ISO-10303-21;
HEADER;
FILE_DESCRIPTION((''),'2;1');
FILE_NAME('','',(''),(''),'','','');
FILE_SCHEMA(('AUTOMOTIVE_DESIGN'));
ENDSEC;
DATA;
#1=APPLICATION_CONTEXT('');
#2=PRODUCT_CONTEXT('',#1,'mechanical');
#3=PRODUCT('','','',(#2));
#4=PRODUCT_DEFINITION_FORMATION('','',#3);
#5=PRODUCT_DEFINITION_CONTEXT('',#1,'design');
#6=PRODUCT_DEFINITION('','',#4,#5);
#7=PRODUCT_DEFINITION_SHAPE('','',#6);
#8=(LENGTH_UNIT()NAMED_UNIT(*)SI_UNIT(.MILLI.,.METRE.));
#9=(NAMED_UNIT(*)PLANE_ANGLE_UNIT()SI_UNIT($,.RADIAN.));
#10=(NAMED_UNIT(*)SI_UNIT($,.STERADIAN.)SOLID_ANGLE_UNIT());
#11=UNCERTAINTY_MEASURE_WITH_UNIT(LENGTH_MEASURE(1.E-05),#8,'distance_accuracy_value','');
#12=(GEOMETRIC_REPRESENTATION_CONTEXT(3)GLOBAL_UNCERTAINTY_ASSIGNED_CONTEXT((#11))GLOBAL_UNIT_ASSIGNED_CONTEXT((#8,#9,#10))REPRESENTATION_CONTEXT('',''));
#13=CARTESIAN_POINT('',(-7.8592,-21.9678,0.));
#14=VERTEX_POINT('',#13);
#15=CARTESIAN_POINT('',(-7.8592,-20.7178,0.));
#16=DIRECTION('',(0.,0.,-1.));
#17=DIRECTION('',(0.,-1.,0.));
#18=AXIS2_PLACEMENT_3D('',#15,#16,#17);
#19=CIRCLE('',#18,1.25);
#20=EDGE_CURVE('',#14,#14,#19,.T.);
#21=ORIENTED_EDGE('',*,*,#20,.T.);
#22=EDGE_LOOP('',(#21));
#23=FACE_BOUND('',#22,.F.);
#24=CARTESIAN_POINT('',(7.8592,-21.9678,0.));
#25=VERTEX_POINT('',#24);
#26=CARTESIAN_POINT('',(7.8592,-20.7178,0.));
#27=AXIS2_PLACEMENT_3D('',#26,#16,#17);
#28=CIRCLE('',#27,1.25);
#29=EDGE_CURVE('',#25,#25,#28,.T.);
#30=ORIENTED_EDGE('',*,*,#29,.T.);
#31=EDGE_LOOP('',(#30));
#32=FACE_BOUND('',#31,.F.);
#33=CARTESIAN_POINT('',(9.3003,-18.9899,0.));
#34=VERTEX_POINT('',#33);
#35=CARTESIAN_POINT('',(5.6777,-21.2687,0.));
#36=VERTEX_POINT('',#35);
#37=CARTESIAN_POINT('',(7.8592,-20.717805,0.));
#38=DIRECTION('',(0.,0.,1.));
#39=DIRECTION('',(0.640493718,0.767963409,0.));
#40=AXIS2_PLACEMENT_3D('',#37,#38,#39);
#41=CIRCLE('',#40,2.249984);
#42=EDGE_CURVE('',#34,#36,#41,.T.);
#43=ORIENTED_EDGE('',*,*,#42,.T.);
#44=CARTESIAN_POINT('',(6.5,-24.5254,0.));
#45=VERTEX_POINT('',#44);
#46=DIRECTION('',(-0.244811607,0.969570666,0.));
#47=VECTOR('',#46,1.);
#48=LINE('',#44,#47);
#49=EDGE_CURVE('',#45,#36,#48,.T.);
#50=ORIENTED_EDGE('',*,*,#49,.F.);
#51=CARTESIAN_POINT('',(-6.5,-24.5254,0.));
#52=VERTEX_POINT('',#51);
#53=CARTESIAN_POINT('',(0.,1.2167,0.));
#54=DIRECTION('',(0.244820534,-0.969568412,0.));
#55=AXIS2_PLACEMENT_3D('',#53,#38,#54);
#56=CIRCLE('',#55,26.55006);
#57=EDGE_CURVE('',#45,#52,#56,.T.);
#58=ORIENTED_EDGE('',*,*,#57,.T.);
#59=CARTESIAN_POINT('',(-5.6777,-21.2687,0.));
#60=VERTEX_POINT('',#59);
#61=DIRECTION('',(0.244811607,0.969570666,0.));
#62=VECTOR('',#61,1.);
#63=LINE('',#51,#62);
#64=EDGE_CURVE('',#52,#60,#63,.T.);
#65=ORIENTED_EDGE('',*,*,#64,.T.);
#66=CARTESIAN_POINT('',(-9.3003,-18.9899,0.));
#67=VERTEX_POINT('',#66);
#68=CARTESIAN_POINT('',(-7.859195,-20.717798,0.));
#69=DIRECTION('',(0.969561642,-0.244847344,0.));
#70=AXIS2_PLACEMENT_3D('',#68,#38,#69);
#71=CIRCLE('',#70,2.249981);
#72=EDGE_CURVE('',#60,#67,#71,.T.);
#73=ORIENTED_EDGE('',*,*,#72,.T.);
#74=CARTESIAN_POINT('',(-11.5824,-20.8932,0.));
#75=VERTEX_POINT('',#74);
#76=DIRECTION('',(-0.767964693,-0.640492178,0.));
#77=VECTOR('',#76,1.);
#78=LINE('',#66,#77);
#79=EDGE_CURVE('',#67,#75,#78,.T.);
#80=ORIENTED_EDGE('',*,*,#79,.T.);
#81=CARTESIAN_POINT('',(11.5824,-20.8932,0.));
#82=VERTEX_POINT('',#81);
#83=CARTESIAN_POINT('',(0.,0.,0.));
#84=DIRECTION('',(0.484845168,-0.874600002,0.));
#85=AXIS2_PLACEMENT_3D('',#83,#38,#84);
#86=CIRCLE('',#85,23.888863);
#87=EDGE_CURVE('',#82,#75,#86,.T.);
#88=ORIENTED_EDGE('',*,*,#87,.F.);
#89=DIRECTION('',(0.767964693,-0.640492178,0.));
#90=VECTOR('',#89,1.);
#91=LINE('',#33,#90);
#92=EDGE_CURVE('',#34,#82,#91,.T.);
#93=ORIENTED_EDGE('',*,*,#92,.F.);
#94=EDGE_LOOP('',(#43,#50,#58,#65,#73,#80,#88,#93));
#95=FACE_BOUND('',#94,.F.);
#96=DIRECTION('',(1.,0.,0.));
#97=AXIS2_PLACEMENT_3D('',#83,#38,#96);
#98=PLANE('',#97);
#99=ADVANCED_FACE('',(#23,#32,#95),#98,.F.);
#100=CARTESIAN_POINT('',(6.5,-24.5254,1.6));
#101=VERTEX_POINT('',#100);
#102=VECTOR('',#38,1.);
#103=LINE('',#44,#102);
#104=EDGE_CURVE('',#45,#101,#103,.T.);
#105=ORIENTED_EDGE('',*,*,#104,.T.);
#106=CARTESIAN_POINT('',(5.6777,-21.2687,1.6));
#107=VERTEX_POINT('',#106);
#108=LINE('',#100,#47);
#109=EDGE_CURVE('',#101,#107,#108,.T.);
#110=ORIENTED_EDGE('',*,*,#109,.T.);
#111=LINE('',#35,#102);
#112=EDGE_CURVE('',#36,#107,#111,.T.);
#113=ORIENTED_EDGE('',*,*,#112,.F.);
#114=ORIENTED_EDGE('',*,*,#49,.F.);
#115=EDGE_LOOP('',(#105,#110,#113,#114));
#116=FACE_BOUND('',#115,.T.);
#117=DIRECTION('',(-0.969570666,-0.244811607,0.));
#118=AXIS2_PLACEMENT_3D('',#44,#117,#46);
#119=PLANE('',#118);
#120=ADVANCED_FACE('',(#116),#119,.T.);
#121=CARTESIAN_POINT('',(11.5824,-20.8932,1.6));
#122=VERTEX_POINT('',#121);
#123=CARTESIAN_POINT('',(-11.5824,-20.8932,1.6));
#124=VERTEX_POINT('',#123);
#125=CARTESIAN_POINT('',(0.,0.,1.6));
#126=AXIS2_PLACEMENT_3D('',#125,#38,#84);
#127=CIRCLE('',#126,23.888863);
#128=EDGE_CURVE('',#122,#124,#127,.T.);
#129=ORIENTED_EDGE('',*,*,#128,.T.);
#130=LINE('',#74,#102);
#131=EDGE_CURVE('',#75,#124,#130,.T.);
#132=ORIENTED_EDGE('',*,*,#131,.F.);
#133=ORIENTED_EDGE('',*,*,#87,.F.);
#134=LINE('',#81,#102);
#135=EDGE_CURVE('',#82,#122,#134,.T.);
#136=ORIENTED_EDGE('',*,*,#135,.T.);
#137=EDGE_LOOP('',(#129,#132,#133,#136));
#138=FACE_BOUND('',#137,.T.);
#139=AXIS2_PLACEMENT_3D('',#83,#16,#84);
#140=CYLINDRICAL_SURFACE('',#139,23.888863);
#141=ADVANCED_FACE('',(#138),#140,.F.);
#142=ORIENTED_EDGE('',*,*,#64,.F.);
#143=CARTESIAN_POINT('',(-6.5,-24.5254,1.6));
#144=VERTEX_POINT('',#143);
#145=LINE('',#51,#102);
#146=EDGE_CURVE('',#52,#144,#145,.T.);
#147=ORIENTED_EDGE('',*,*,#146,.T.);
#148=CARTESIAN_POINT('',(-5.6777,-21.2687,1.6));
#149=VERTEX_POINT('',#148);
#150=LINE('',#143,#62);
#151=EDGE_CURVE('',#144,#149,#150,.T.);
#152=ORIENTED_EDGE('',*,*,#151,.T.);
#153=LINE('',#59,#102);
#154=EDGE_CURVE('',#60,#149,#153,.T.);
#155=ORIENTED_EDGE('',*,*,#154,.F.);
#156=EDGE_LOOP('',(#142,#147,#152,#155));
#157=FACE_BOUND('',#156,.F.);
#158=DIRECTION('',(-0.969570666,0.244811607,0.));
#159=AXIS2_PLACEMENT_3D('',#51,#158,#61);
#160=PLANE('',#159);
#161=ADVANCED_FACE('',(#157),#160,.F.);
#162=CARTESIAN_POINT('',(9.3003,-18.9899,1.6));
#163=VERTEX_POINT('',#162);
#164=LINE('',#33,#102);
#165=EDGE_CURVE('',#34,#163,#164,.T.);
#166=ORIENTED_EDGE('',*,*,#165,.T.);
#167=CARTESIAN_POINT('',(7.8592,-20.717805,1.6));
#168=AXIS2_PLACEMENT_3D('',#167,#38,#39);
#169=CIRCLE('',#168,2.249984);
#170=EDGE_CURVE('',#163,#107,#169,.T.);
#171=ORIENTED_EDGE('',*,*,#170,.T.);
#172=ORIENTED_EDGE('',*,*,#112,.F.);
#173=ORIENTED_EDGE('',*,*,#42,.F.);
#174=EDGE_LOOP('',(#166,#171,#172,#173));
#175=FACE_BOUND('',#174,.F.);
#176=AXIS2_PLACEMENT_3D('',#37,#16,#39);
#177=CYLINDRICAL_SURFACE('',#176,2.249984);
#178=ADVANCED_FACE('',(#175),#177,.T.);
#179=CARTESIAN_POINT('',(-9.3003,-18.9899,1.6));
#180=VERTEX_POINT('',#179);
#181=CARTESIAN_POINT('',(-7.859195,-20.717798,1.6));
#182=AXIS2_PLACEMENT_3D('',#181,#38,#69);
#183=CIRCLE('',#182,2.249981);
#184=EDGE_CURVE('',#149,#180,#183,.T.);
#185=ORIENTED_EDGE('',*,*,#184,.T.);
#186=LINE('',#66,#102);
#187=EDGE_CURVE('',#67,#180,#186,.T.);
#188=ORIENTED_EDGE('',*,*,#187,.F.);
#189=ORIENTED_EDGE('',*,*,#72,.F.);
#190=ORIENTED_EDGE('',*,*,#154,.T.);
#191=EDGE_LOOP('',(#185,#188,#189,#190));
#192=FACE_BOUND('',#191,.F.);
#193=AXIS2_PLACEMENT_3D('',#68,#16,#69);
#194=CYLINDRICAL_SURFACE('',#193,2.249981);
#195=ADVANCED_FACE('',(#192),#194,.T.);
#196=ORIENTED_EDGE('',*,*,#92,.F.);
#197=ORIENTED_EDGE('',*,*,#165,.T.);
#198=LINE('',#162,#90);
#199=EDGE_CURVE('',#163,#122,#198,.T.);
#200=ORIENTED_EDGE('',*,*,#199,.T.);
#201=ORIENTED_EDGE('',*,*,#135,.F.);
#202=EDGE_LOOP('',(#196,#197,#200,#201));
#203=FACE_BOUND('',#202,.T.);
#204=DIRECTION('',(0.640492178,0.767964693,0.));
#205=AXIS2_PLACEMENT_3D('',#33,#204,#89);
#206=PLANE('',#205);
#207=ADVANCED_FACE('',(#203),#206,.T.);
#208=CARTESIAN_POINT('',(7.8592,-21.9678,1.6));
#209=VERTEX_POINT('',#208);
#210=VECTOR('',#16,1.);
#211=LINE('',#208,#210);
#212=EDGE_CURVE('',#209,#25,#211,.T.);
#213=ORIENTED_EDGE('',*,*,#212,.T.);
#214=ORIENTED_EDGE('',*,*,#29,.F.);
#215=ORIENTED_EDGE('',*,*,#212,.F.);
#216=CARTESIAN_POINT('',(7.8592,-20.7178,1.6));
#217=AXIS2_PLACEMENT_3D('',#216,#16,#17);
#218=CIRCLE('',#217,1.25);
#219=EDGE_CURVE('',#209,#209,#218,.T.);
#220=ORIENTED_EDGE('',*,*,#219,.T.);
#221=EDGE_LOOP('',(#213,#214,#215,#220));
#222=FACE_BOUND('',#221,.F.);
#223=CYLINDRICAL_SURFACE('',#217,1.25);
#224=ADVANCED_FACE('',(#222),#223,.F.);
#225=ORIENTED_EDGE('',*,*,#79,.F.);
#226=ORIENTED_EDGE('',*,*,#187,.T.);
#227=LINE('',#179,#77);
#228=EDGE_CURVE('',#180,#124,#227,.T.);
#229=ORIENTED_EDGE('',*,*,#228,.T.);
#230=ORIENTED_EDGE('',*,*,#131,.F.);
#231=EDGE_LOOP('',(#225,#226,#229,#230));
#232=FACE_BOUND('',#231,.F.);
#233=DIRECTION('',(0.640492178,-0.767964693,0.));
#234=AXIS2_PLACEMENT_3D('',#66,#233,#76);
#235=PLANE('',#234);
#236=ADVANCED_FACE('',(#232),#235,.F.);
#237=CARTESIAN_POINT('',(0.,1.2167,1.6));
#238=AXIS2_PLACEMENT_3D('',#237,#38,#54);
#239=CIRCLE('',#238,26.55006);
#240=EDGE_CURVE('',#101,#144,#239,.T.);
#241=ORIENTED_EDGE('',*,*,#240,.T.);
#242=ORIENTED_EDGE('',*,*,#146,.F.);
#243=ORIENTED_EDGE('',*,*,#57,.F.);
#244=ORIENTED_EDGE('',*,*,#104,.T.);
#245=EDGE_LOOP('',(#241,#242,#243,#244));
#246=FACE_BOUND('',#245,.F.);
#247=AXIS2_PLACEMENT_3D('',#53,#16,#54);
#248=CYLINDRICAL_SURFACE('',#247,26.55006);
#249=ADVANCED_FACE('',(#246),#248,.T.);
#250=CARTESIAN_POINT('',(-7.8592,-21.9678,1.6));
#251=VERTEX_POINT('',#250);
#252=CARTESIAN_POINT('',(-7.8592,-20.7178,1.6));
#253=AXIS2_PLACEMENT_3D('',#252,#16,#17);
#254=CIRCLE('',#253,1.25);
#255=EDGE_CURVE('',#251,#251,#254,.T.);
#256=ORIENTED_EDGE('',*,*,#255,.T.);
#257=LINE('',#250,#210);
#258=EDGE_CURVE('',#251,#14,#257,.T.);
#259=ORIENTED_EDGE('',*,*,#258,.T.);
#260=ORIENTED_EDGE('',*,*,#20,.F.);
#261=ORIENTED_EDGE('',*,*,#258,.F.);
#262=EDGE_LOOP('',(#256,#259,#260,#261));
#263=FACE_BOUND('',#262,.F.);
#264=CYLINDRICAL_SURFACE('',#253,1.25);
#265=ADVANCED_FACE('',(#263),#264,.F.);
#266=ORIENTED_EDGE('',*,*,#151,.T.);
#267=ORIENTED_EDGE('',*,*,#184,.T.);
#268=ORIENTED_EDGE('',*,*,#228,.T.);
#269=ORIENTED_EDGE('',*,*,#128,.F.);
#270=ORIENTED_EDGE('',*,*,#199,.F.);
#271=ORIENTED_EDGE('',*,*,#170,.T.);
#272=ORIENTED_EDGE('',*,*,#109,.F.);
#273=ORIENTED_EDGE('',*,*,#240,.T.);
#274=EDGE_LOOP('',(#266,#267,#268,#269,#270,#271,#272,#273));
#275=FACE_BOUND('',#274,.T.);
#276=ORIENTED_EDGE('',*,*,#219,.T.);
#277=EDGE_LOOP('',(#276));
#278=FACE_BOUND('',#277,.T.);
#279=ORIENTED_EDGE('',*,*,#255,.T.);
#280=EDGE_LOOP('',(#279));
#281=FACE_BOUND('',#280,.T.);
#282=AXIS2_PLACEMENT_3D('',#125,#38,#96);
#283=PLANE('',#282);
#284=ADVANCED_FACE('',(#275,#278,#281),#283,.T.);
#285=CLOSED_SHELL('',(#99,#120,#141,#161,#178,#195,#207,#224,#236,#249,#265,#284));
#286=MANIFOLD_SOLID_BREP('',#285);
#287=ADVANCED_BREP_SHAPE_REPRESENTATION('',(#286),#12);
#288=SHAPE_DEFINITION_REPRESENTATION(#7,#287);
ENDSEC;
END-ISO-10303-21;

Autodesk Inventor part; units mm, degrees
ref_plane "WorkPlane1" through (0, 0, 0) normal (0, 0, 1) x (1, 0, 0)
ref_plane "Work Plane2" through (0, 0, -1.6) normal (0, 0, 1) x (1, 0, 0)
ref_plane "WorkPlane2" through (0, 0, 1) normal (0, 0, 1) x (1, 0, 0)
sketch "Sketch1" plane through (0, 0, 0) normal (0, 0, 1) x (1, 0, 0)
  point P0 (0, 0)
sketch "Sketch2" plane through (0, 0, 0) normal (0, 0, 1) x (1, 0, 0)
  line L0 (6.5, -24.5254) -> (5.6777, -21.2687)
  arc A0 (9.3003, -18.9899) -> (5.6777, -21.2687) centre (7.8592, -20.7178) ccw
  line L1 (9.3003, -18.9899) -> (11.5824, -20.8932)
  arc A1 (11.5824, -20.8932) -> (-11.5824, -20.8932) centre (0, 0) ccw
  line L2 (-9.3003, -18.9899) -> (-11.5824, -20.8932)
  arc A2 (-5.6777, -21.2687) -> (-9.3003, -18.9899) centre (-7.8592, -20.7178) ccw
  line L3 (-6.5, -24.5254) -> (-5.6777, -21.2687)
  arc A3 (6.5, -24.5254) -> (-6.5, -24.5254) centre (0, 1.2167) ccw
  line L4 (0, 1.2167) -> (-6.5, -24.5254) construction
  line L5 (0, 1.2167) -> (6.5, -24.5254) construction
  dimension "d2" = 26.55
  dimension "d4" = 0
  dimension "d6" = 23.8889
  dimension "d8" = 1.2167
  dimension "d10" = 6.5
  dimension "d12" = 6.5
  dimension "d14" = 2.25
  dimension "d16" = 2.25
  dimension "d18" = 23.3
  dimension "d20" = 23.3
  dimension "d22" = 36
  dimension "d24" = 36
extrude "Extrusion1" add sketch "Sketch2" along normal blind 1.6
sketch "Sketch3" plane through (0, 0, 1.6) normal (0, 0, 1) x (1, 0, 0)
  arc A0 (-5.6777, -21.2687) -> (-9.3003, -18.9899) centre (-7.8592, -20.7178) ccw projected
hole "Hole1" at (-7.8592, -20.7178, 1.6) direction (0, 0, -1) diameter 2.5 end through all
sketch "Sketch4" plane through (0, 0, 1.6) normal (0, 0, 1) x (1, 0, 0)
  arc A0 (9.3003, -18.9899) -> (5.6777, -21.2687) centre (7.8592, -20.7178) ccw projected
hole "Hole2" at (7.8592, -20.7178, 1.6) direction (0, 0, -1) diameter 2.5 end through all
equation "\"d29\" = Diam5"
equation "\"d36\" = Diam5"
equation "\"d2\" = 0.5 * Diam2"
equation "\"d6\" = 0.5 * msp_dd1"
equation "\"d8\" = -0.5 * msp_dd1 + 0.5 * Diam2 - 0.222222 * ParA"
equation "\"d10\" = 2.6 * Diam5"
equation "\"d12\" = 2.6 * Diam5"
equation "\"d14\" = 0.9 * Diam5"
equation "\"d16\" = 0.9 * Diam5"
equation "\"d18\" = 1.3 * Diam5 + 0.5 * Diam2 - ParA"
equation "\"d20\" = 1.3 * Diam5 + 0.5 * Diam2 - ParA"
equation "\"d25\" = ParS"
equation "\"Diam5\" = 2.5"
equation "\"ParA\" = 6.5"
equation "\"ParS\" = 1.6"
equation "\"Diam2\" = 53.1"
equation "\"msp_dd1\" = -b + Diam2 - 0.111111 * ParA"
equation "\"msp_pom\" = 0.5 * Diam2 - b"
equation "\"TEMPLATE\" = 1.2345"
properties part number "ANSI B 27.7M - 3BMI-50" material "Steel, Mild"
